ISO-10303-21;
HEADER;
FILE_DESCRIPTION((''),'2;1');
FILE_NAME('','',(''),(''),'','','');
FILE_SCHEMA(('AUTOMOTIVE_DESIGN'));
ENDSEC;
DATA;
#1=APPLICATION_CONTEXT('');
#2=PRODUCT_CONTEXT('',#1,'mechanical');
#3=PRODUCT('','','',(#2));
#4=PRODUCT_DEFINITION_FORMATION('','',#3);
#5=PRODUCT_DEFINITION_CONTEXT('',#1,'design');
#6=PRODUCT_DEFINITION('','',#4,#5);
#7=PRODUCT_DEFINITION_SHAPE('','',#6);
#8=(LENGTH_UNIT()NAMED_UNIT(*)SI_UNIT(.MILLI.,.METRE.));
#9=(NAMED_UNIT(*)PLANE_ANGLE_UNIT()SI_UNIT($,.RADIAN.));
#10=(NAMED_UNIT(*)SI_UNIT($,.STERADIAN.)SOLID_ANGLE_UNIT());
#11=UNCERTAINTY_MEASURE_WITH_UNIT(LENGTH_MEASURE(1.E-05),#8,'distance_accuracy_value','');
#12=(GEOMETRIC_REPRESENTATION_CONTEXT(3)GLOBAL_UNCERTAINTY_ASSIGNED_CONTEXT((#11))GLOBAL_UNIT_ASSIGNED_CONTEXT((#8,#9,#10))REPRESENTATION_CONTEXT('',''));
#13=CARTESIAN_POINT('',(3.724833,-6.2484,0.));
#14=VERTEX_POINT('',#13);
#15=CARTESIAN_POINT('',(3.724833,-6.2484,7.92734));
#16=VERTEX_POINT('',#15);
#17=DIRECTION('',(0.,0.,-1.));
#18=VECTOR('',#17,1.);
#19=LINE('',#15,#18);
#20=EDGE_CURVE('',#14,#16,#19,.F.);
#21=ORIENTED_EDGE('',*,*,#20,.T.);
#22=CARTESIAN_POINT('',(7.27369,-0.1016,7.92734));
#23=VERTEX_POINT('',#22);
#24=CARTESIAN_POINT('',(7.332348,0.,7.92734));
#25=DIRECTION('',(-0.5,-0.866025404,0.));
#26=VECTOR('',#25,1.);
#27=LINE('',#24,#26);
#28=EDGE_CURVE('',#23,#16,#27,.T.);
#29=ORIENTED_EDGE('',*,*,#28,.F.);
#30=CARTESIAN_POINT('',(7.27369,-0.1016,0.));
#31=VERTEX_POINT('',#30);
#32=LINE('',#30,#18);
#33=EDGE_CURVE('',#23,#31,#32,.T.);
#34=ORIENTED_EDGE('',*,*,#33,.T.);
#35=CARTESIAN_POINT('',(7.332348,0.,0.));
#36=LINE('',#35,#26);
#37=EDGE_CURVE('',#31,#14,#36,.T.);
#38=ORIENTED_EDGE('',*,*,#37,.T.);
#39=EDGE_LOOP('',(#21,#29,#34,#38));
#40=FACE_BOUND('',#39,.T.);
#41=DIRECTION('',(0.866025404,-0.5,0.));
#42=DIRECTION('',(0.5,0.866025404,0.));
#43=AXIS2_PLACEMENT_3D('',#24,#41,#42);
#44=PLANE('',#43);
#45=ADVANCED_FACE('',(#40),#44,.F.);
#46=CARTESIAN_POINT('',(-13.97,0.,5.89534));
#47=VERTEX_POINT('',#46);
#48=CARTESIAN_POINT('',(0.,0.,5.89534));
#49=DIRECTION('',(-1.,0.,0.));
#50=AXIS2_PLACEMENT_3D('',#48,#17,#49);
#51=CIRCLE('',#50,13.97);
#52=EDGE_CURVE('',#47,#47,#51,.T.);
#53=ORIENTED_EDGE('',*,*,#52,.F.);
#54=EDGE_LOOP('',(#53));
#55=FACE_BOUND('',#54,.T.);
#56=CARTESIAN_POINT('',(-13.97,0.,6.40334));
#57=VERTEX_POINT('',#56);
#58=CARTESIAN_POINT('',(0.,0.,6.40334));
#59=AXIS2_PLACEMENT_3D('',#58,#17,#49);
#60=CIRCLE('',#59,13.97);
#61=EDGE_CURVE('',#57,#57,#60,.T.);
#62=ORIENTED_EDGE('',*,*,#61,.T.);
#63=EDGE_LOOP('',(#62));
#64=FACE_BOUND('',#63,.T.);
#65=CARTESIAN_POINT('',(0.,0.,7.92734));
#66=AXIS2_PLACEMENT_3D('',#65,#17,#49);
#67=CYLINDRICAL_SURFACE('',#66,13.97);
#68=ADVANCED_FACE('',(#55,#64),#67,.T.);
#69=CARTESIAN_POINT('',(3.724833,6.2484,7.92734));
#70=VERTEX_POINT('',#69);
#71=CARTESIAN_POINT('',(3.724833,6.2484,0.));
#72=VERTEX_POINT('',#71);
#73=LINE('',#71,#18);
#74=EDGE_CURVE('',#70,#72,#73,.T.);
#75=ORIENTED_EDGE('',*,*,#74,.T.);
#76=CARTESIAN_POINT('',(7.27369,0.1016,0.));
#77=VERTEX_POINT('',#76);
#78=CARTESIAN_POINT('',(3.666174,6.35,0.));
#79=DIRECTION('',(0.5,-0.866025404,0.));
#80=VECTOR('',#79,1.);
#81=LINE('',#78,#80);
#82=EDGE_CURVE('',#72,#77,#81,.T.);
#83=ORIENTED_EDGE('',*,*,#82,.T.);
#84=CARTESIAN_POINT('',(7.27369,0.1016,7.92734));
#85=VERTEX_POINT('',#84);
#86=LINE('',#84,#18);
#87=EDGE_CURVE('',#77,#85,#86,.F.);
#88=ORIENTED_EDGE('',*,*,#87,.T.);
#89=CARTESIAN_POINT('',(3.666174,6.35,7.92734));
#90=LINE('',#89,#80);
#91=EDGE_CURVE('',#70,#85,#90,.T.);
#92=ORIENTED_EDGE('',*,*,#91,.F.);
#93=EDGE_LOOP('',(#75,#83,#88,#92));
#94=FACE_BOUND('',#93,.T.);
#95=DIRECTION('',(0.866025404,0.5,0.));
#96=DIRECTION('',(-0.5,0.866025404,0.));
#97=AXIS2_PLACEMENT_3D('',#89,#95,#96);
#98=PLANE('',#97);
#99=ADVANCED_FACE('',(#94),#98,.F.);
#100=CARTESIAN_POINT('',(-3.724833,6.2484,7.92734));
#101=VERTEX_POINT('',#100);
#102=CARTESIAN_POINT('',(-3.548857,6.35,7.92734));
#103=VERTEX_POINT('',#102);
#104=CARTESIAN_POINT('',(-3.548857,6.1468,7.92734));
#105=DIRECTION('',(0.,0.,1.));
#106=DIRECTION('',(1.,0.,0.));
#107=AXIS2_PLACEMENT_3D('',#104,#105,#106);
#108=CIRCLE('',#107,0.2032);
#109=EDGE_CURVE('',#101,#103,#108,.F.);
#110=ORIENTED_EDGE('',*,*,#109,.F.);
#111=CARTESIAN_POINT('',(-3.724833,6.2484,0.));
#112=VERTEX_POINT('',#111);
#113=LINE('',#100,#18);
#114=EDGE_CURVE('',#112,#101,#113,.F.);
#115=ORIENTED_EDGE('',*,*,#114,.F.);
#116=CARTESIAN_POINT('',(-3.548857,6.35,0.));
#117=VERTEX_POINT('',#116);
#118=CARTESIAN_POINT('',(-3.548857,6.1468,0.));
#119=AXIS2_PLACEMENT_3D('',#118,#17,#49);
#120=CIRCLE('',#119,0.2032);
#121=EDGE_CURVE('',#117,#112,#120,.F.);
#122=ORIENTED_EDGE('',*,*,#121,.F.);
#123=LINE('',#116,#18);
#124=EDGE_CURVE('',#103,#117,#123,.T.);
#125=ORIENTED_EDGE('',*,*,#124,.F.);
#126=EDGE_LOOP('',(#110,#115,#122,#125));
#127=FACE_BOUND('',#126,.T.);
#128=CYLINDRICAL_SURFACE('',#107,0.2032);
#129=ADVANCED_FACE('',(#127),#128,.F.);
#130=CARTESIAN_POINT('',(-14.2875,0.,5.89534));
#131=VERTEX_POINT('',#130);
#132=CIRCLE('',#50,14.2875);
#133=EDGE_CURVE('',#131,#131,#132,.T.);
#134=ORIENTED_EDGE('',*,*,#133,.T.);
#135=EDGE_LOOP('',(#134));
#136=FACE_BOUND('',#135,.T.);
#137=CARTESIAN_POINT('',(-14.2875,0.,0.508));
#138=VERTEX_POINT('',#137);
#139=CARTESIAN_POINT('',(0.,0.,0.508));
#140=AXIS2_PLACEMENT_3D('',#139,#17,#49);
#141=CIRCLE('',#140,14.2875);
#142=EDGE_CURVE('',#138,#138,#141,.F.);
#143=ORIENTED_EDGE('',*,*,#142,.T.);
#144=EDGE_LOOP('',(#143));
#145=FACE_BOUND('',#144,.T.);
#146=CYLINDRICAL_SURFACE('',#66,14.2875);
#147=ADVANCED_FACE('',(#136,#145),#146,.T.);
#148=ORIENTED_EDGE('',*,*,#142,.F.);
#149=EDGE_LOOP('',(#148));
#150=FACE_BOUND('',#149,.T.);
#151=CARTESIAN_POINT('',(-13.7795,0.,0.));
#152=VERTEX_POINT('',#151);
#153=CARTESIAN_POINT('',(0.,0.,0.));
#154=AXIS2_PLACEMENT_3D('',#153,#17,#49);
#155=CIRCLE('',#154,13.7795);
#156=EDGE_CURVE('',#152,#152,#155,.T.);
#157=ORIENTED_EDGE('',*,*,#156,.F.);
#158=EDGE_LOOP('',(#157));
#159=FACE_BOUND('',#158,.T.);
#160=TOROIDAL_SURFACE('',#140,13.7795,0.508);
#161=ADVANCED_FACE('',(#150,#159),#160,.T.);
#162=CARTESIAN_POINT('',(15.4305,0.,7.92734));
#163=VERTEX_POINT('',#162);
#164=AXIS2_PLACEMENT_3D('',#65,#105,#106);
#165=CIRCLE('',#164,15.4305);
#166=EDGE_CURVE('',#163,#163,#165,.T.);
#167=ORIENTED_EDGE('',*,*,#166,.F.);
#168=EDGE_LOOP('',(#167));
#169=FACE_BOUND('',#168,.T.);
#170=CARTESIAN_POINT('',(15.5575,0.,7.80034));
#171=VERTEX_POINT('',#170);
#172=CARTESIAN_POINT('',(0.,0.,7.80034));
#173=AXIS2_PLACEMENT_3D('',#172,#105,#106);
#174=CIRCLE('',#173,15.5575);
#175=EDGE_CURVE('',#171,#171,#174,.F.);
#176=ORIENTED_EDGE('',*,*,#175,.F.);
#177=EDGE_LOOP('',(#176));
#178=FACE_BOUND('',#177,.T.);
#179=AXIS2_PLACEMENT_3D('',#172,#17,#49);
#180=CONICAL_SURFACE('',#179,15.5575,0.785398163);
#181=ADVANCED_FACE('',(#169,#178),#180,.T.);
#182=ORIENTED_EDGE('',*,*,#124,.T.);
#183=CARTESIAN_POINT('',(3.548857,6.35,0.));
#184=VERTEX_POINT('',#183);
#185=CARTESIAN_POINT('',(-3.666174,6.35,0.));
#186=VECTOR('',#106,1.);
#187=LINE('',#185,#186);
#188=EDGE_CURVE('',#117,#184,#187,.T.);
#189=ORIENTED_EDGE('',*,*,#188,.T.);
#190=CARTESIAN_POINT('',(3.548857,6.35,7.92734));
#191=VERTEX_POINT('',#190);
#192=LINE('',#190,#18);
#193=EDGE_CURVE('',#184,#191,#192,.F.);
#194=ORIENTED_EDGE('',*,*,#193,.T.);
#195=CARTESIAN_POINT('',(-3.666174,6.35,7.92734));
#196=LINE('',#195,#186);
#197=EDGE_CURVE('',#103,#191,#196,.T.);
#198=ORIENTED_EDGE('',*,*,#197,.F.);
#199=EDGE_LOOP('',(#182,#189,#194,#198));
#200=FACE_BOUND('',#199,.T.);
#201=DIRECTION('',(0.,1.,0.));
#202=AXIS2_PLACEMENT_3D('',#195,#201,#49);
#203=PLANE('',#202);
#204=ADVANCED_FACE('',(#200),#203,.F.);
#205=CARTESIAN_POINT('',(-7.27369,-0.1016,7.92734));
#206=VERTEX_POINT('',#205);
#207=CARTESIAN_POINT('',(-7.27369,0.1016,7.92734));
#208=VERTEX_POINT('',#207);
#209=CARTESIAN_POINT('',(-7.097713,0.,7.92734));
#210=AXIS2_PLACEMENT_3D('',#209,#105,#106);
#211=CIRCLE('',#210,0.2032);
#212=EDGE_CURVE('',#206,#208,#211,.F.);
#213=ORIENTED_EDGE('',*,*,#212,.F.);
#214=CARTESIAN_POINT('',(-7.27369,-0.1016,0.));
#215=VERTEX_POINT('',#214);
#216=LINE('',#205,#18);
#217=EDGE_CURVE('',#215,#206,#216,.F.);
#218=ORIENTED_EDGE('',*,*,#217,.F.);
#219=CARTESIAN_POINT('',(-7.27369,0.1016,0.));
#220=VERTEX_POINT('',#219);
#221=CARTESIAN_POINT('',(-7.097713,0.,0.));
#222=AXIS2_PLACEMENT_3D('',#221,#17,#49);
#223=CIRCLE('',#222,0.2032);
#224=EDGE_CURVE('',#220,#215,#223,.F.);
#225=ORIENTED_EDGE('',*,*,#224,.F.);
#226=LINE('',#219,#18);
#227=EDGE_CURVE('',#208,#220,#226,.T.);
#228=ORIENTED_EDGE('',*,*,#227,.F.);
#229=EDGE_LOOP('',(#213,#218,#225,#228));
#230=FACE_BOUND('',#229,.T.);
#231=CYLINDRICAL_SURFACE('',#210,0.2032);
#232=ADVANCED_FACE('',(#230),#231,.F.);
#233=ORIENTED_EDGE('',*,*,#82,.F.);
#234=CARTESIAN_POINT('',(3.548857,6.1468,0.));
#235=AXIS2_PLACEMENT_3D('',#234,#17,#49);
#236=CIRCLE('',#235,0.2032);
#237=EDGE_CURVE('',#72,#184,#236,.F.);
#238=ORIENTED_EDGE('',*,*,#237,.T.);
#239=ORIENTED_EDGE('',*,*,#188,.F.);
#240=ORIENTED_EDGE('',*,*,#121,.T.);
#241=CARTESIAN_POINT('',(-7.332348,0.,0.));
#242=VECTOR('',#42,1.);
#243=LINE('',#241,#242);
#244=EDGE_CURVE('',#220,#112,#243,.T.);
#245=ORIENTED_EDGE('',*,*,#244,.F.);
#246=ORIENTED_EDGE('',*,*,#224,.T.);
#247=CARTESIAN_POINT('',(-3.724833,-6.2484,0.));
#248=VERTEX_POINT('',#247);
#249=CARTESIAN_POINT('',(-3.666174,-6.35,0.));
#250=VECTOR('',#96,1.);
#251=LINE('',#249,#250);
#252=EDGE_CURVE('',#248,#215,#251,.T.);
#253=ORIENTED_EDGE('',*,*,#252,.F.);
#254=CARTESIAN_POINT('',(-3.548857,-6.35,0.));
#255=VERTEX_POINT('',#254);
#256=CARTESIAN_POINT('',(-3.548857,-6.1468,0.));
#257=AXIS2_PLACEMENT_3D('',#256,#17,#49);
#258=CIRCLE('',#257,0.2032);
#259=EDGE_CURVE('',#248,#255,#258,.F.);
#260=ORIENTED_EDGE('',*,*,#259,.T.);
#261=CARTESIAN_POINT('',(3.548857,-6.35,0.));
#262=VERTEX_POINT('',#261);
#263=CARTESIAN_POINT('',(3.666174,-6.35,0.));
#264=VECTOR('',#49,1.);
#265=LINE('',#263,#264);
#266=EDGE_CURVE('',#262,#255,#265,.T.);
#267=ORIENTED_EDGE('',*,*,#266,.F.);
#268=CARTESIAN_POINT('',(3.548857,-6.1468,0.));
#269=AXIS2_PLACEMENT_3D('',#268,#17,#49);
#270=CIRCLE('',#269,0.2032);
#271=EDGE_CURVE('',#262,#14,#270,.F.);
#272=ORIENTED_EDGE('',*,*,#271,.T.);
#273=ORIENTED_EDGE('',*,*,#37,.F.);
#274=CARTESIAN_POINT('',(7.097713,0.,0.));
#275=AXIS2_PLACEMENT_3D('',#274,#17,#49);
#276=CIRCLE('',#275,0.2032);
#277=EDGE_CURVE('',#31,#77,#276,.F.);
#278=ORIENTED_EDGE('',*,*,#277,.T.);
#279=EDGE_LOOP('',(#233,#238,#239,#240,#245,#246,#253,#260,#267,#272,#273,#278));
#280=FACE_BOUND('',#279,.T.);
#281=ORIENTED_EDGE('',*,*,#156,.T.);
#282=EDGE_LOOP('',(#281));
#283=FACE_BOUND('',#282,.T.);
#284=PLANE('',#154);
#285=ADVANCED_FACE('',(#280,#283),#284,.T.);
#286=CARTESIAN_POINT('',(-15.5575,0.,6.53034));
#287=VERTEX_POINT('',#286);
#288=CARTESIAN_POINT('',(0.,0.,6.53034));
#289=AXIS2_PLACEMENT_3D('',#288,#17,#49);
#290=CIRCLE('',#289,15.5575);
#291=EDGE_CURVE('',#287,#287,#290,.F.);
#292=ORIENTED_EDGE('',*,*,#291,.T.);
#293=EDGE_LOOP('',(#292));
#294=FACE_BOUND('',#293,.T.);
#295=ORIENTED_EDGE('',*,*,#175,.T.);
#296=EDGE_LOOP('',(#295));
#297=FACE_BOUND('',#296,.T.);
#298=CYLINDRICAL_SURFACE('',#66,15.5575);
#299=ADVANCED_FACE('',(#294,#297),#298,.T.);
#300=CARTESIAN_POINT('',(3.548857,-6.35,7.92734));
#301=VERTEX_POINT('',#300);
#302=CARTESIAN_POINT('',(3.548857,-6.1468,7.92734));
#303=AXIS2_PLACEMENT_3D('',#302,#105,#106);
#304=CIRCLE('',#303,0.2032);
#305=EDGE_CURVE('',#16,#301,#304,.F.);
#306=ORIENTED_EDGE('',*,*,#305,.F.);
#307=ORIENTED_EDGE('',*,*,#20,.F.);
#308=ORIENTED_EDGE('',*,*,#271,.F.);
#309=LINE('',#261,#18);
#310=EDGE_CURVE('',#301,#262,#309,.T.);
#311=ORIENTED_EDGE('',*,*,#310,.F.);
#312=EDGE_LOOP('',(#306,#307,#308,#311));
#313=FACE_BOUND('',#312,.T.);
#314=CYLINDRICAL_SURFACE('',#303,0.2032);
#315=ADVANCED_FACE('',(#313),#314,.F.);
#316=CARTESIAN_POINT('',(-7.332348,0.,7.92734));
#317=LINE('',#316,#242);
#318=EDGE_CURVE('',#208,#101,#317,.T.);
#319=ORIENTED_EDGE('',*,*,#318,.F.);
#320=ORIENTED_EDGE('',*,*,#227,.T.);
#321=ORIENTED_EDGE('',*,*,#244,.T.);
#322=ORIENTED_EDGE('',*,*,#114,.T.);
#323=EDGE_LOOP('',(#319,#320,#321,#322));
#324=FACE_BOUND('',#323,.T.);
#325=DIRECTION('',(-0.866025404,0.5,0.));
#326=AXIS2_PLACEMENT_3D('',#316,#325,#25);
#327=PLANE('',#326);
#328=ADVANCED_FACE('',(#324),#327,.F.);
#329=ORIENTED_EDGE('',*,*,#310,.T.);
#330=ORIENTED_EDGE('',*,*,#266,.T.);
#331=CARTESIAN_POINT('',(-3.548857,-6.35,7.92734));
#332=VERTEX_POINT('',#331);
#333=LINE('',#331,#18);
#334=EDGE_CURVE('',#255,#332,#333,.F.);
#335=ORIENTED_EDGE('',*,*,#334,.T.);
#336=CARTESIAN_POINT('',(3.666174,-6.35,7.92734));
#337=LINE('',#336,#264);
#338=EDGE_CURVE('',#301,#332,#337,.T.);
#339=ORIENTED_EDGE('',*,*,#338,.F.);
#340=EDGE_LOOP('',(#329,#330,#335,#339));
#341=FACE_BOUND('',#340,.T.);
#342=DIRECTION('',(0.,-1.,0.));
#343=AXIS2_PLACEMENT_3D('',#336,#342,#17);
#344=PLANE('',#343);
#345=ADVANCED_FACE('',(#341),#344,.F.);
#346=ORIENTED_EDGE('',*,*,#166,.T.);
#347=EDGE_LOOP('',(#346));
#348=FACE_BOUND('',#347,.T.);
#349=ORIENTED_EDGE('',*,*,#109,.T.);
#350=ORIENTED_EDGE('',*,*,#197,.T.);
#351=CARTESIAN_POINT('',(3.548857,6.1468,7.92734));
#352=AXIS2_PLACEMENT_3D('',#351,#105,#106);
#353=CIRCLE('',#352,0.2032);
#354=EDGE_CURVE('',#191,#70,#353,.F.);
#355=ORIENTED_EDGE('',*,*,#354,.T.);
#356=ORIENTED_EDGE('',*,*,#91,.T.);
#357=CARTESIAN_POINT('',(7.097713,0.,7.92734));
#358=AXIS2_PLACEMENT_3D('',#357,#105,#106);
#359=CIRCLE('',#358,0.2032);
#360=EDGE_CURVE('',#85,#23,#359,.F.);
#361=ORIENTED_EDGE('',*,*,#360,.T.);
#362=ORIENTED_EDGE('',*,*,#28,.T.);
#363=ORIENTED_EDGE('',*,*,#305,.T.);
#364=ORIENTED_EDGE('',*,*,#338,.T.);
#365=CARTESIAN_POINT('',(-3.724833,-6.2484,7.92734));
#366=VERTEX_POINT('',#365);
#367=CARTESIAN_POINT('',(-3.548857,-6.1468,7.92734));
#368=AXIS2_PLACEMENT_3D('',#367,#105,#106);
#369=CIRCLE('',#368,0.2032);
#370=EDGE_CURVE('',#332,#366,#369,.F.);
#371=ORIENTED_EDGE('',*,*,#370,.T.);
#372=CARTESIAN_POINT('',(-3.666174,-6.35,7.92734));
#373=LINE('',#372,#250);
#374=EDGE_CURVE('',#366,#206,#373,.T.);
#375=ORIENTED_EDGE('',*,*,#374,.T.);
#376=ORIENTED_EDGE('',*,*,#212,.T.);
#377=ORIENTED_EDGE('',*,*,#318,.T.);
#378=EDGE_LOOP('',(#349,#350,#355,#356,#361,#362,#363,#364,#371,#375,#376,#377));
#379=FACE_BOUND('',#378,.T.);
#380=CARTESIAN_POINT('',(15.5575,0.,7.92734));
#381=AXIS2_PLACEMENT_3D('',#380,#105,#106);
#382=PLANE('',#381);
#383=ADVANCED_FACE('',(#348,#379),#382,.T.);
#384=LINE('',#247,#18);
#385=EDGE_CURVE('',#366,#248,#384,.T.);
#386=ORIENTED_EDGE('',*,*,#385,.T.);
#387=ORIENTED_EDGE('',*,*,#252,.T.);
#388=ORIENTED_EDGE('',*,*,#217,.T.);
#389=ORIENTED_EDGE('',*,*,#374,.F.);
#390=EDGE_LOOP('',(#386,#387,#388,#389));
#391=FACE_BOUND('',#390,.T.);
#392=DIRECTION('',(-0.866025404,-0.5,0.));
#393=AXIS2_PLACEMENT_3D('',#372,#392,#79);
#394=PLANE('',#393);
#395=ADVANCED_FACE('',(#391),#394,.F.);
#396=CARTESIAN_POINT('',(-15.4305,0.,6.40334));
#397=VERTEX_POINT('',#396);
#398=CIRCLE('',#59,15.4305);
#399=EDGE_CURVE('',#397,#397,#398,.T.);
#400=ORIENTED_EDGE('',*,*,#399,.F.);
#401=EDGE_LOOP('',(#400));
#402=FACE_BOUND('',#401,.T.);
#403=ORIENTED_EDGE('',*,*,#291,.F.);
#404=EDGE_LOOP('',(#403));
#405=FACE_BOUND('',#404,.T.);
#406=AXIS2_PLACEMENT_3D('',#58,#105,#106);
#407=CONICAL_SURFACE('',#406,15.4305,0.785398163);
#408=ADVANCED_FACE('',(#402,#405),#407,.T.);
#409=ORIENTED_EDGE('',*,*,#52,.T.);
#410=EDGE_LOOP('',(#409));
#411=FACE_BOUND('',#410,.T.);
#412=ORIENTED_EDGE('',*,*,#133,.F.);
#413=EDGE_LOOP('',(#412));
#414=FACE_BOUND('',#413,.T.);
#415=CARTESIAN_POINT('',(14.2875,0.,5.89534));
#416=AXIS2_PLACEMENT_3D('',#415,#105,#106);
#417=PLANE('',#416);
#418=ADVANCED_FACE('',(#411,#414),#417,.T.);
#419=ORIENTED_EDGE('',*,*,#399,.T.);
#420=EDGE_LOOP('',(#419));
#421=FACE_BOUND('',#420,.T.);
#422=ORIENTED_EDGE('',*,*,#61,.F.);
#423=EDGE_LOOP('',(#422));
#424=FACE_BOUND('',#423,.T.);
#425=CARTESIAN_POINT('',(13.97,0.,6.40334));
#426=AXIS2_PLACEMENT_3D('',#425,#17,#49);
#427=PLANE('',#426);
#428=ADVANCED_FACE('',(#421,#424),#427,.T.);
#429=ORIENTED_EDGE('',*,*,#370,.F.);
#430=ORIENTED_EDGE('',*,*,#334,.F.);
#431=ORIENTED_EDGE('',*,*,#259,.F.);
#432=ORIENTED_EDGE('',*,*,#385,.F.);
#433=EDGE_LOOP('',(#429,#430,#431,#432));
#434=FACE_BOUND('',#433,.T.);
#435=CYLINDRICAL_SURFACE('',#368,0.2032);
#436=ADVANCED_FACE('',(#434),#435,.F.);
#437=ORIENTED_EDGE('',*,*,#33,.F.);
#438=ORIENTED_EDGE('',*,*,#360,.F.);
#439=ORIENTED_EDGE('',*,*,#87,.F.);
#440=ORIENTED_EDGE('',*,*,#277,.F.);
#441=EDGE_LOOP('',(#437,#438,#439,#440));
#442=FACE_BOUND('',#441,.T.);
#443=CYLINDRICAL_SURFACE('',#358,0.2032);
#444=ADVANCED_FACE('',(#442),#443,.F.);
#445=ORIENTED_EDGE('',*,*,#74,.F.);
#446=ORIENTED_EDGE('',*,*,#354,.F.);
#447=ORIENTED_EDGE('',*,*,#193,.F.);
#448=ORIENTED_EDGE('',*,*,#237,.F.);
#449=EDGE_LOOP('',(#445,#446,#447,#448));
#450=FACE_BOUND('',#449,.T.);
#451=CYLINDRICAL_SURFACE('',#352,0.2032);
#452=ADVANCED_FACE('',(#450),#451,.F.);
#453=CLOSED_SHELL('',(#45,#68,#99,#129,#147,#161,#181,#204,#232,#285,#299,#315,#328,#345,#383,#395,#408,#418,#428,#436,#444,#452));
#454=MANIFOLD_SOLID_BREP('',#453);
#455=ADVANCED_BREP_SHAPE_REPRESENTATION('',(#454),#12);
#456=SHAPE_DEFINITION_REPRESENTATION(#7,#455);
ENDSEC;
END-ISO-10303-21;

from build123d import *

# Parameters (mm, degrees)
CUT_EXTRUDE1_DEPTH = 8.92734
CHAMFER1_SIZE      = 0.127
CHAMFER2_SIZE      = 0.127
FILLET1_R          = 0.508
FILLET2_R          = 0.2032


with BuildPart() as part:
    # Sketch1 → Revolve1 (revolve)
    with BuildSketch(Plane.XZ):
        Polygon((15.5575, 7.92734), (0, 7.92734), (0, 0), (14.2875, 0), (14.2875, 5.89534), (13.97, 5.89534), (13.97, 6.40334), (15.5575, 6.40334), align=None)
    revolve(axis=Axis((0, 0, 7.92734), (0, 0, -1)))

    # Sketch2 → Cut-Extrude1 (cut, through all)
    with BuildSketch(Plane(origin=(0, 0, 0), x_dir=(-1, 0, 0), z_dir=(0, 0, -1))):
        Polygon((3.666174209, 6.35), (-3.666174209, 6.35), (-7.332348419, 0), (-3.666174209, -6.35), (3.666174209, -6.35), (7.332348419, 0), align=None)
    extrude(amount=-CUT_EXTRUDE1_DEPTH, mode=Mode.SUBTRACT)

    # Chamfer1
    chamfer1_edges = [part.edges().sort_by_distance(p)[0] for p in [
        (-15.5575, 0, 6.40334),
    ]]
    chamfer(chamfer1_edges, length=CHAMFER1_SIZE)

    # Chamfer2
    chamfer2_edges = [part.edges().sort_by_distance(p)[0] for p in [
        (-15.5575, 0, 7.92734),
    ]]
    chamfer(chamfer2_edges, length=CHAMFER2_SIZE)

    # Fillet1
    fillet1_edges = [part.edges().sort_by_distance(p)[0] for p in [
        (-14.2875, 0, 0),
    ]]
    fillet(fillet1_edges, radius=FILLET1_R)

    # Fillet2
    fillet2_edges = [part.edges().sort_by_distance(p)[0] for p in [
        (-3.666174209, 6.35, 3.96367),
        (-7.332348419, 0, 3.96367),
        (-3.666174209, -6.35, 3.96367),
        (3.666174209, -6.35, 3.96367),
        (7.332348419, 0, 3.96367),
        (3.666174209, 6.35, 3.96367),
    ]]
    fillet(fillet2_edges, radius=FILLET2_R)


solid = part.part
